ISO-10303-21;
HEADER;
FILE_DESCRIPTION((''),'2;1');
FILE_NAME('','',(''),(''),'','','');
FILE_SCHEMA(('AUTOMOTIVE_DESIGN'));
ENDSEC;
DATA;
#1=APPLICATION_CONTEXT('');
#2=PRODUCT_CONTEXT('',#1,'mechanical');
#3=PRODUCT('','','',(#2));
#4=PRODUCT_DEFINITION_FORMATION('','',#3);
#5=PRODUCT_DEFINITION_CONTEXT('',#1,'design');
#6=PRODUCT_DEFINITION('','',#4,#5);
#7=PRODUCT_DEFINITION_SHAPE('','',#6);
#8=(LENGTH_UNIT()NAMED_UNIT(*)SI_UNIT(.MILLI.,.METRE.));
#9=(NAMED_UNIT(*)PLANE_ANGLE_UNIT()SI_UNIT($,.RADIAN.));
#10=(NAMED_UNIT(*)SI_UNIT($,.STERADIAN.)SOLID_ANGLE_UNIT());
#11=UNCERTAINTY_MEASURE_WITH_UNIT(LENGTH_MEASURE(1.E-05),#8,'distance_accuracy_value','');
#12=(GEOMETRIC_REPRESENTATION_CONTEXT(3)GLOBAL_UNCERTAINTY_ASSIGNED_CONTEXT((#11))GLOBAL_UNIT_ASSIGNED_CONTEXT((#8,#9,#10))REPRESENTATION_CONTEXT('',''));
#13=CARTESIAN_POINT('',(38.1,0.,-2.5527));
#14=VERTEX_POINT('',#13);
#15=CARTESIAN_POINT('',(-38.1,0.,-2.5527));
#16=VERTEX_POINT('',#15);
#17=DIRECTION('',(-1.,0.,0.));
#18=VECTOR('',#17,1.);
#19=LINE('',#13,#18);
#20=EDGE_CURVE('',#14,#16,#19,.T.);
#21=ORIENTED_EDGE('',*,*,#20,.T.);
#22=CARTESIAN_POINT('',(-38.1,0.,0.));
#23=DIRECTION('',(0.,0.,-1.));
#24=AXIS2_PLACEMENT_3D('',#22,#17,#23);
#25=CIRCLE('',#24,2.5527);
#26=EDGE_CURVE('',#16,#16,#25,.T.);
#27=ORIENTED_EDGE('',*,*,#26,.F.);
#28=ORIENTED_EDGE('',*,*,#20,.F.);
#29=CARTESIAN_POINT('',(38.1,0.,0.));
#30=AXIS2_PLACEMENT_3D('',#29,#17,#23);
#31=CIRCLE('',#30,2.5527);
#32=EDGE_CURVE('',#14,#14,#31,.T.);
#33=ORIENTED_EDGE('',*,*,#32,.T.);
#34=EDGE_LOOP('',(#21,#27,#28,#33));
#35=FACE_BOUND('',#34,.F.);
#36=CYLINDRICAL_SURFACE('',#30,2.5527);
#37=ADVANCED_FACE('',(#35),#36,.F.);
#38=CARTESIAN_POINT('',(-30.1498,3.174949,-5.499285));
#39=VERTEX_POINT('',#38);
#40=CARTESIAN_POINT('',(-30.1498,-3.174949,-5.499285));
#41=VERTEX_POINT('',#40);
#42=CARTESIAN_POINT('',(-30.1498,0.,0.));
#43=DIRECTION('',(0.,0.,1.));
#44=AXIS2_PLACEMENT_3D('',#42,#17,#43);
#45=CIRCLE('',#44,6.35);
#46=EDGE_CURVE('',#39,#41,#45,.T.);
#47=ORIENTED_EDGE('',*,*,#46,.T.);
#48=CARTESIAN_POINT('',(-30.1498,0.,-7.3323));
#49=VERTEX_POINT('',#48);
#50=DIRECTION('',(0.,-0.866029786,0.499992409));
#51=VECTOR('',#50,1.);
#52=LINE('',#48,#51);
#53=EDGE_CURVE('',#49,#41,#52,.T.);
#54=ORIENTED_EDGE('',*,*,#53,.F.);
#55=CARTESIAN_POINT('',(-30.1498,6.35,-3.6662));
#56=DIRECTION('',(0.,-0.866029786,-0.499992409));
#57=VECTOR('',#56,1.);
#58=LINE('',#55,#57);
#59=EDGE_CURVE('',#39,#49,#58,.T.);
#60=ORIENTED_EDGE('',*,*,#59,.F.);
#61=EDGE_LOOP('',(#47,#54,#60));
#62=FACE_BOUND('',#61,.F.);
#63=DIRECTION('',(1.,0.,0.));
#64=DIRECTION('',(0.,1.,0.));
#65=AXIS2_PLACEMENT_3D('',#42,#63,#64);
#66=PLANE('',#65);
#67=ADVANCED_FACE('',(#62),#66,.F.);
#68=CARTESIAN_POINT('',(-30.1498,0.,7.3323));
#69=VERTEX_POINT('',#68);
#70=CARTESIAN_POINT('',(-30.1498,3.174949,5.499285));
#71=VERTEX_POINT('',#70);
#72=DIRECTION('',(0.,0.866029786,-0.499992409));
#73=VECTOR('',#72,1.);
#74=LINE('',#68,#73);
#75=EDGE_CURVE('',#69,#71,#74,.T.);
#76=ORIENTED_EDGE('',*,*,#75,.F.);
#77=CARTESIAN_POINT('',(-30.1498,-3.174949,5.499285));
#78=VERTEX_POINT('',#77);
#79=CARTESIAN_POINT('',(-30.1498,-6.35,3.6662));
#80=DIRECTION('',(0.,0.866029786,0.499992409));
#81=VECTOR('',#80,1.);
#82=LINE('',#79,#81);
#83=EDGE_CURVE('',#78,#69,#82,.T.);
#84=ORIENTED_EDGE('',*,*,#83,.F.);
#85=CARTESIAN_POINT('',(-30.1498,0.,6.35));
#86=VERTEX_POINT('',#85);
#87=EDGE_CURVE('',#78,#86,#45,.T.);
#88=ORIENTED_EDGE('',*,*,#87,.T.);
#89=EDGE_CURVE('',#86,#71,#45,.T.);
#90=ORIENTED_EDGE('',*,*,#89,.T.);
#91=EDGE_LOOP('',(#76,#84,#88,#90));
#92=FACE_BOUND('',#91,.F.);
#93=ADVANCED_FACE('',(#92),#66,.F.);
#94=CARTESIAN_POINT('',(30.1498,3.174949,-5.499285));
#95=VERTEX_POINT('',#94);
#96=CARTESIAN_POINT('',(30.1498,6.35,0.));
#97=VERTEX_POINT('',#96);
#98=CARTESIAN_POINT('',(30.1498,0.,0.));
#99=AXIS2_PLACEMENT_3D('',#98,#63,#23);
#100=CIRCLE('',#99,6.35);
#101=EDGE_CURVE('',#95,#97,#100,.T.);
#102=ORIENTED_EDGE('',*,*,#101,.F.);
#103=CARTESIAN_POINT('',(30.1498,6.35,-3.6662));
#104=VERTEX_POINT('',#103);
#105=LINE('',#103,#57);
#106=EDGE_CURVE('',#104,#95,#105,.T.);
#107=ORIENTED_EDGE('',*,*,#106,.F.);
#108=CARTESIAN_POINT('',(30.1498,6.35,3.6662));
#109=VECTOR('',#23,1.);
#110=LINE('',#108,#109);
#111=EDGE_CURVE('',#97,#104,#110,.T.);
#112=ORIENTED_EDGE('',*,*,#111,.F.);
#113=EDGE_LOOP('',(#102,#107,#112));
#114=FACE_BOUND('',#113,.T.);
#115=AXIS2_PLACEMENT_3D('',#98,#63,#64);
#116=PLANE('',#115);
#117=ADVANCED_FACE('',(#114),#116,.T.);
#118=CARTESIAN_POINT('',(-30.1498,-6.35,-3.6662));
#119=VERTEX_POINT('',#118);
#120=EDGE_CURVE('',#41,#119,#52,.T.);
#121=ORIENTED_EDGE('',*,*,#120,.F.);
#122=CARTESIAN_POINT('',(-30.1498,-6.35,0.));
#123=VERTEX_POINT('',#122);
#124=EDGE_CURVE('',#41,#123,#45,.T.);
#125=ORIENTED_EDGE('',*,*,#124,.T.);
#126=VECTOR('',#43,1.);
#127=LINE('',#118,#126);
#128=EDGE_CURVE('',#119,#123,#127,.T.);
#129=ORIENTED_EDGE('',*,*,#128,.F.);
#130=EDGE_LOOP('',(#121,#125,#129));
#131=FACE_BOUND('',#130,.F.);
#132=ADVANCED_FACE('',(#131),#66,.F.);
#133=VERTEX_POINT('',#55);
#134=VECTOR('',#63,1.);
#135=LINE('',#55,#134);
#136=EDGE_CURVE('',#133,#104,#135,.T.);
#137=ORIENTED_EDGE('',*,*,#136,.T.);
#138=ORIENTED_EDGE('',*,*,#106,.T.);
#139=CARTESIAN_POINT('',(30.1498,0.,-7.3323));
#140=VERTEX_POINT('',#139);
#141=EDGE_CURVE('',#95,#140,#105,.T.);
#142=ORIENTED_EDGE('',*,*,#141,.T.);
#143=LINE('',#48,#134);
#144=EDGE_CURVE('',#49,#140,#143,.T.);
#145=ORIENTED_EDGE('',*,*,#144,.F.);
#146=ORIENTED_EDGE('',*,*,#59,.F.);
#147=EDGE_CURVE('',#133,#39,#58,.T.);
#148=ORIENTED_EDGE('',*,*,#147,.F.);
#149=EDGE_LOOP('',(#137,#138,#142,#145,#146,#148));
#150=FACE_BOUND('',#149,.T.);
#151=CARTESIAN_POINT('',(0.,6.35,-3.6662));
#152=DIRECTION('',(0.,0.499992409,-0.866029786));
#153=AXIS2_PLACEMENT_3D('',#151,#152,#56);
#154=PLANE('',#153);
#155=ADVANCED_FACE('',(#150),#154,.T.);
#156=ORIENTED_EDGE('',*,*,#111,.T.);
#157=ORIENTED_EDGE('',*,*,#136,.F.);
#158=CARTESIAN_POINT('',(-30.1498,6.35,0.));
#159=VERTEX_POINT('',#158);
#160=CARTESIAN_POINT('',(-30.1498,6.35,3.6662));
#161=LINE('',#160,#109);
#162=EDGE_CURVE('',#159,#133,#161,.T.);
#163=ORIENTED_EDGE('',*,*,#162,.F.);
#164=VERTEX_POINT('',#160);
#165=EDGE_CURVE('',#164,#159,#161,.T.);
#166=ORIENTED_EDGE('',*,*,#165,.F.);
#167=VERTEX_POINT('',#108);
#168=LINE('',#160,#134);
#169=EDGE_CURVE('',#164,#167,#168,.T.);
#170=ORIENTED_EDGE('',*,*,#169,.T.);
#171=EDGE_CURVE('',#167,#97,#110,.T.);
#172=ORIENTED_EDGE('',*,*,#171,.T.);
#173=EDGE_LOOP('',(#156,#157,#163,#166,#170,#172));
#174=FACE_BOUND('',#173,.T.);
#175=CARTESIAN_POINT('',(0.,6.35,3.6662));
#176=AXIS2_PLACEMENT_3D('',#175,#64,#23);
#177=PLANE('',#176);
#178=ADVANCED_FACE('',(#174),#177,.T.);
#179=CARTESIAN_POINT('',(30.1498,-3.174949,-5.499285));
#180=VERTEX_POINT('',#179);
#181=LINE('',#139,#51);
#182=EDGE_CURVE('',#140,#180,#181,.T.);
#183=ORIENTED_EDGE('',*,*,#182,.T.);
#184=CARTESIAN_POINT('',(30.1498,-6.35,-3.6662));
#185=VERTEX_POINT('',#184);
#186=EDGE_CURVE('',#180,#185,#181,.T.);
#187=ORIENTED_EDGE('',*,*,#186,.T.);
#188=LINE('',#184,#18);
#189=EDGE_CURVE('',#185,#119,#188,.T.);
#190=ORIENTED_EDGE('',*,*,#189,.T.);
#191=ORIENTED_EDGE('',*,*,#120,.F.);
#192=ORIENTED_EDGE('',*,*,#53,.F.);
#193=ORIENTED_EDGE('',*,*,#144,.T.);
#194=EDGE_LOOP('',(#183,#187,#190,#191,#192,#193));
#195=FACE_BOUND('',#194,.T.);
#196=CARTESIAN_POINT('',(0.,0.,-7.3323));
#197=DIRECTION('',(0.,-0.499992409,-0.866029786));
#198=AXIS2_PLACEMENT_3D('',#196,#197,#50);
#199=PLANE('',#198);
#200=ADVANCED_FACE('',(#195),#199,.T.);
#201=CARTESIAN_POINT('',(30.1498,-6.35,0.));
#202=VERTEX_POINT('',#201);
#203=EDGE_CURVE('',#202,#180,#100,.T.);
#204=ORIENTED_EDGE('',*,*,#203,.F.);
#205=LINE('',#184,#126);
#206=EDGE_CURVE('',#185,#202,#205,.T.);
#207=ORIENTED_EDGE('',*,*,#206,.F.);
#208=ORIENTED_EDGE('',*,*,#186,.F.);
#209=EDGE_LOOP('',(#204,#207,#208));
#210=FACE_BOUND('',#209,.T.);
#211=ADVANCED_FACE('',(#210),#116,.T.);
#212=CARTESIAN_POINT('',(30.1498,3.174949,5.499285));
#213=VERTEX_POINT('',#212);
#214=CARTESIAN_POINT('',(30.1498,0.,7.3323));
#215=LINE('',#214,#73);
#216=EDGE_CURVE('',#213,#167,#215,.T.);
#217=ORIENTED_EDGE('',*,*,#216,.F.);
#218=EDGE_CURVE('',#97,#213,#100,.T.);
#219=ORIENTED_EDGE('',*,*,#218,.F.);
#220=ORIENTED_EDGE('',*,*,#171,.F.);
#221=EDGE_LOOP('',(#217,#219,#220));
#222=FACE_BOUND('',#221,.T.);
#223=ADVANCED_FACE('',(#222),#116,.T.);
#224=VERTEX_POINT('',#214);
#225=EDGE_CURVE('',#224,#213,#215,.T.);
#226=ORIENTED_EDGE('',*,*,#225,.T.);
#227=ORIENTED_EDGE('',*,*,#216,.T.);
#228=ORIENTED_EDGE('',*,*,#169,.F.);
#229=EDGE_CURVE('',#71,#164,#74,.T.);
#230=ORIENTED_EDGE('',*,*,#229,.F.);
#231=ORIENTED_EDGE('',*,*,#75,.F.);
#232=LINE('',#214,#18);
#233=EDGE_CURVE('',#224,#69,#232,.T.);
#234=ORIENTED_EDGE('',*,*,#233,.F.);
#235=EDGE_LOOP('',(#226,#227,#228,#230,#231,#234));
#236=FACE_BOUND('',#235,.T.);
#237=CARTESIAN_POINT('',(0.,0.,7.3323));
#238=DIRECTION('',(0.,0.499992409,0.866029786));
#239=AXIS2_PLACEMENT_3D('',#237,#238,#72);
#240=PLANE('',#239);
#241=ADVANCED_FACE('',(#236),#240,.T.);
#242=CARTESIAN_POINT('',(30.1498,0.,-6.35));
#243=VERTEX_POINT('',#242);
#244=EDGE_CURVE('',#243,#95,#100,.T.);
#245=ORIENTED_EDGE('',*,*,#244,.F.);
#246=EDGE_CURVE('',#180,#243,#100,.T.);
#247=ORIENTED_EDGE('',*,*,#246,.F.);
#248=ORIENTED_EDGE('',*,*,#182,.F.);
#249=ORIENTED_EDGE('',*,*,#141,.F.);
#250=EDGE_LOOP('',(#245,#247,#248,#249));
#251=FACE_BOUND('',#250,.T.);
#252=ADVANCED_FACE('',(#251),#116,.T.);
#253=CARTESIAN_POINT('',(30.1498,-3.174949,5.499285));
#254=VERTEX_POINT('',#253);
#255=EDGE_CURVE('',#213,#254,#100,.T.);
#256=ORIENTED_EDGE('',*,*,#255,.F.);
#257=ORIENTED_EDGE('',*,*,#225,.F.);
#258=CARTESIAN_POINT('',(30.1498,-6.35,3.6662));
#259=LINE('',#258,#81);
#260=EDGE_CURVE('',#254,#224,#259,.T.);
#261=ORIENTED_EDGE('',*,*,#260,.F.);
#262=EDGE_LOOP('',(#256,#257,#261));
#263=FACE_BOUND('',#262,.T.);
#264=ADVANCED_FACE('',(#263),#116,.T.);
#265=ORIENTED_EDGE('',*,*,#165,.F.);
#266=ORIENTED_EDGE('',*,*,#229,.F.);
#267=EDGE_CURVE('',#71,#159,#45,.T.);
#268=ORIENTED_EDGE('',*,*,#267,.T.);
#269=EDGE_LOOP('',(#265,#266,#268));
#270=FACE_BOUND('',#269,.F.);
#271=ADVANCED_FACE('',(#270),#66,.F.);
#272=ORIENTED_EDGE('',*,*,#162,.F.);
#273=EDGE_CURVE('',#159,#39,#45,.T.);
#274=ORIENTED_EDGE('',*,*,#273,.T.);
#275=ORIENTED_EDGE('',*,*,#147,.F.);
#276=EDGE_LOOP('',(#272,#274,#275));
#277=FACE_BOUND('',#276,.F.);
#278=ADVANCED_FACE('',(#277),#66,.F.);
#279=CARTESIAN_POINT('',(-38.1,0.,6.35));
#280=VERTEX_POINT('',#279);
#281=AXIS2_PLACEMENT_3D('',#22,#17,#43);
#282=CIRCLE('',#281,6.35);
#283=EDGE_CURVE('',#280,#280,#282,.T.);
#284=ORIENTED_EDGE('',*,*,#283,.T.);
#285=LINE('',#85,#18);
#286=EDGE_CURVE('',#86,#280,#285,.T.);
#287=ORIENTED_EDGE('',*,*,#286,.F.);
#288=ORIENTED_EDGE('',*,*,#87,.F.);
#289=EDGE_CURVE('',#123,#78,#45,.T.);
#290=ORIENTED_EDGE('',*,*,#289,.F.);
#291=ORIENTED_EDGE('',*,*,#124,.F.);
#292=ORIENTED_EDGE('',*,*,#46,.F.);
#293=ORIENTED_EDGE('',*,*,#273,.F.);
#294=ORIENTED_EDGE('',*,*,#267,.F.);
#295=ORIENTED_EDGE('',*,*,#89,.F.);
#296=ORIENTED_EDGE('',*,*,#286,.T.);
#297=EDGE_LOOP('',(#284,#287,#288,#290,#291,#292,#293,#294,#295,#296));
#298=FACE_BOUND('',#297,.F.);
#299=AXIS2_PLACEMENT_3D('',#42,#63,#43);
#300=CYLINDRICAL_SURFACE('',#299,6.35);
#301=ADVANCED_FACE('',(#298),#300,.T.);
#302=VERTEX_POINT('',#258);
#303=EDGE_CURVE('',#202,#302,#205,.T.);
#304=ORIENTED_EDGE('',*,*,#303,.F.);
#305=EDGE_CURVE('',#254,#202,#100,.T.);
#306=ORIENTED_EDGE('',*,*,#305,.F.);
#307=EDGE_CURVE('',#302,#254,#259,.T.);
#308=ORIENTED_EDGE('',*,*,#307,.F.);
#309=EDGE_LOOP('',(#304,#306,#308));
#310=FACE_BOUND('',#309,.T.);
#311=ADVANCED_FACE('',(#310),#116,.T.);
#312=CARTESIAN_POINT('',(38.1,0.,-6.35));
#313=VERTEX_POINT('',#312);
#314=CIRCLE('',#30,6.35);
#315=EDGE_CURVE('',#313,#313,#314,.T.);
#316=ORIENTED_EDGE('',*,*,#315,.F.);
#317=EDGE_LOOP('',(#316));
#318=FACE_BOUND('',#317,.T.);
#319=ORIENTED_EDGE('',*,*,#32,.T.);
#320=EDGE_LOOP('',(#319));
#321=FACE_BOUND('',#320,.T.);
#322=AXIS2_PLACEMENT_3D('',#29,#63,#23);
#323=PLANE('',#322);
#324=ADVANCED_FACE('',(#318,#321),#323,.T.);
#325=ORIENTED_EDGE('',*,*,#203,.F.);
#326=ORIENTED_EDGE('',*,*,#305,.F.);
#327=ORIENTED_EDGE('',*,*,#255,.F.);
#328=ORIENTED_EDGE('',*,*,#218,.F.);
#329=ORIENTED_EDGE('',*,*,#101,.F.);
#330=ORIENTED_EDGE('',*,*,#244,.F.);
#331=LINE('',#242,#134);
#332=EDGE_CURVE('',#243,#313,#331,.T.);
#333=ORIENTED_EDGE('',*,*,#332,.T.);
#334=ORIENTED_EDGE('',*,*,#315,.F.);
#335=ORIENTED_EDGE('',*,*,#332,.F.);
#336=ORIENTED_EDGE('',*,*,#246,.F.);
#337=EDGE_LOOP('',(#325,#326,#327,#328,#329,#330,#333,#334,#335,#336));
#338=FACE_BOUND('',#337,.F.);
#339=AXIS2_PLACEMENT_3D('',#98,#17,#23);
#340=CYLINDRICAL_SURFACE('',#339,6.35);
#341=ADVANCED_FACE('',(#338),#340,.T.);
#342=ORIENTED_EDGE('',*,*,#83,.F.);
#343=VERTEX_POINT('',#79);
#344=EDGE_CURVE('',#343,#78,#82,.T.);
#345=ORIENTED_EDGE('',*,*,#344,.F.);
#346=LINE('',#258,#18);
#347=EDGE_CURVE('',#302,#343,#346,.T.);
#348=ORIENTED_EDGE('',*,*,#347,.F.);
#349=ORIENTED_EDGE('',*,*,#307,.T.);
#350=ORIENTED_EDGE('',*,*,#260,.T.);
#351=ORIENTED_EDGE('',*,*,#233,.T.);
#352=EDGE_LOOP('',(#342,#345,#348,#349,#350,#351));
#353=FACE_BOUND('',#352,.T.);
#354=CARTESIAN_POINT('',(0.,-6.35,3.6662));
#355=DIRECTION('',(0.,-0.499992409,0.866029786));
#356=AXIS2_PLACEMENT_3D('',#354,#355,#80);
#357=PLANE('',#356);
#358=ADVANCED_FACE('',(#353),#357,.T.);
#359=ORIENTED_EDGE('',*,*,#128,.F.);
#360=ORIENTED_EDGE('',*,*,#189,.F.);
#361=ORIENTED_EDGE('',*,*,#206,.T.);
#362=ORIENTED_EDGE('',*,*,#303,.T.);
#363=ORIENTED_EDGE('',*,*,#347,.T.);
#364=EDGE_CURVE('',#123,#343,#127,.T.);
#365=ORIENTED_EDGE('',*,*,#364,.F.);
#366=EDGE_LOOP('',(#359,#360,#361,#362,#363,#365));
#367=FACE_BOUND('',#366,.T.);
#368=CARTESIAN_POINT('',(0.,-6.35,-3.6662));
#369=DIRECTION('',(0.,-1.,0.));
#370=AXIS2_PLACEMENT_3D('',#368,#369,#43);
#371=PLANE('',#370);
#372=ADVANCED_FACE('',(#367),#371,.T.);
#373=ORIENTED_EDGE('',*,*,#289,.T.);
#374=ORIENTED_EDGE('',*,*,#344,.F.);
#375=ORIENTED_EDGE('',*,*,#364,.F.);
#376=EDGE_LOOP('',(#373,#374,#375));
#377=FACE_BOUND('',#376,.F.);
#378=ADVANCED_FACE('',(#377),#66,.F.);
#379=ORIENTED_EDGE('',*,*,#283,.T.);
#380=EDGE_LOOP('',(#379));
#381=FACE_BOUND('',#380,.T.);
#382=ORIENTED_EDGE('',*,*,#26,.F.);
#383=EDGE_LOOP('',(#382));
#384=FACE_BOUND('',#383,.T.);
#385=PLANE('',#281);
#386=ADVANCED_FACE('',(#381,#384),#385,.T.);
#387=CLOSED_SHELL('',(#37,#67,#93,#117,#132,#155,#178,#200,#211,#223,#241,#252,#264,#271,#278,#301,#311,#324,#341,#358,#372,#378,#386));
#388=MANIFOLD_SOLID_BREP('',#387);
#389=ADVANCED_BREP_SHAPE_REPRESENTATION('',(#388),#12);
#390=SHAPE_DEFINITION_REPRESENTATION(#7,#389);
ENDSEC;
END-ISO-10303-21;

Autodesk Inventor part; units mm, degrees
ref_plane "YZ Plane" through (0, 0, 0) normal (1, 0, 0) x (0, 1, 0)
ref_plane "XZ Plane" through (0, 0, 0) normal (0, 1, 0) x (-1, 0, 0)
ref_plane "XY Plane" through (0, 0, 0) normal (0, 0, 1) x (1, 0, 0)
sketch "Sketch1" plane through (0, 0, 0) normal (1, 0, 0) x (0, 1, 0)
  line L0 (0, -7.3323) -> (-6.35, -3.6662)
  line L1 (-6.35, -3.6662) -> (-6.35, 3.6662)
  line L2 (-6.35, 3.6662) -> (0, 7.3323)
  line L3 (0, 7.3323) -> (6.35, 3.6662)
  line L4 (6.35, 3.6662) -> (6.35, -3.6662)
  line L5 (6.35, -3.6662) -> (0, -7.3323)
  point P0 (0, 0)
  point P1 (0, 0)
  dimension "d0" = 12.7
extrude "Extrusion1" add sketch "Sketch1" along normal mid plane 60.2996
sketch "Sketch2" plane through (-30.1498, 0, 0) normal (-1, 0, 0) x (0, 0, 1)
  circle A0 centre (0, 0) radius 6.35
  dimension "d3" = 12.7
extrude "Extrusion2" add sketch "Sketch2" along normal blind 7.9502
sketch "Sketch3" plane through (30.1498, 0, 0) normal (1, 0, 0) x (0, 0, -1)
  circle A0 centre (0, 0) radius 6.35
  line L0 (3.6662, 6.35) -> (-3.6662, 6.35) projected
  line L1 (-3.6662, 6.35) -> (-7.3323, 0) projected
  line L2 (-7.3323, 0) -> (-3.6662, -6.35) projected
  line L3 (-3.6662, -6.35) -> (3.6662, -6.35) projected
  line L4 (3.6662, -6.35) -> (7.3323, 0) projected
  line L5 (7.3323, 0) -> (3.6662, 6.35) projected
  dimension "d6" = 12.7
extrude "Extrusion3" add sketch "Sketch3" along normal blind 7.9502 contours A0
sketch "Sketch4" plane through (38.1, 0, 0) normal (1, 0, 0) x (0, 0, -1)
  point P0 (0, 0)
  point P1 (0, 0)
hole "Hole1" at (38.1, 0, 0) direction (-1, 0, 0) diameter 5.1054 end through all clearance for "Flat Head Machine Screw (82)" size "#10" standard "Ansi Unified Screw Threads"
properties part number "EL2-GB-003" material "Aluminum 6061"
